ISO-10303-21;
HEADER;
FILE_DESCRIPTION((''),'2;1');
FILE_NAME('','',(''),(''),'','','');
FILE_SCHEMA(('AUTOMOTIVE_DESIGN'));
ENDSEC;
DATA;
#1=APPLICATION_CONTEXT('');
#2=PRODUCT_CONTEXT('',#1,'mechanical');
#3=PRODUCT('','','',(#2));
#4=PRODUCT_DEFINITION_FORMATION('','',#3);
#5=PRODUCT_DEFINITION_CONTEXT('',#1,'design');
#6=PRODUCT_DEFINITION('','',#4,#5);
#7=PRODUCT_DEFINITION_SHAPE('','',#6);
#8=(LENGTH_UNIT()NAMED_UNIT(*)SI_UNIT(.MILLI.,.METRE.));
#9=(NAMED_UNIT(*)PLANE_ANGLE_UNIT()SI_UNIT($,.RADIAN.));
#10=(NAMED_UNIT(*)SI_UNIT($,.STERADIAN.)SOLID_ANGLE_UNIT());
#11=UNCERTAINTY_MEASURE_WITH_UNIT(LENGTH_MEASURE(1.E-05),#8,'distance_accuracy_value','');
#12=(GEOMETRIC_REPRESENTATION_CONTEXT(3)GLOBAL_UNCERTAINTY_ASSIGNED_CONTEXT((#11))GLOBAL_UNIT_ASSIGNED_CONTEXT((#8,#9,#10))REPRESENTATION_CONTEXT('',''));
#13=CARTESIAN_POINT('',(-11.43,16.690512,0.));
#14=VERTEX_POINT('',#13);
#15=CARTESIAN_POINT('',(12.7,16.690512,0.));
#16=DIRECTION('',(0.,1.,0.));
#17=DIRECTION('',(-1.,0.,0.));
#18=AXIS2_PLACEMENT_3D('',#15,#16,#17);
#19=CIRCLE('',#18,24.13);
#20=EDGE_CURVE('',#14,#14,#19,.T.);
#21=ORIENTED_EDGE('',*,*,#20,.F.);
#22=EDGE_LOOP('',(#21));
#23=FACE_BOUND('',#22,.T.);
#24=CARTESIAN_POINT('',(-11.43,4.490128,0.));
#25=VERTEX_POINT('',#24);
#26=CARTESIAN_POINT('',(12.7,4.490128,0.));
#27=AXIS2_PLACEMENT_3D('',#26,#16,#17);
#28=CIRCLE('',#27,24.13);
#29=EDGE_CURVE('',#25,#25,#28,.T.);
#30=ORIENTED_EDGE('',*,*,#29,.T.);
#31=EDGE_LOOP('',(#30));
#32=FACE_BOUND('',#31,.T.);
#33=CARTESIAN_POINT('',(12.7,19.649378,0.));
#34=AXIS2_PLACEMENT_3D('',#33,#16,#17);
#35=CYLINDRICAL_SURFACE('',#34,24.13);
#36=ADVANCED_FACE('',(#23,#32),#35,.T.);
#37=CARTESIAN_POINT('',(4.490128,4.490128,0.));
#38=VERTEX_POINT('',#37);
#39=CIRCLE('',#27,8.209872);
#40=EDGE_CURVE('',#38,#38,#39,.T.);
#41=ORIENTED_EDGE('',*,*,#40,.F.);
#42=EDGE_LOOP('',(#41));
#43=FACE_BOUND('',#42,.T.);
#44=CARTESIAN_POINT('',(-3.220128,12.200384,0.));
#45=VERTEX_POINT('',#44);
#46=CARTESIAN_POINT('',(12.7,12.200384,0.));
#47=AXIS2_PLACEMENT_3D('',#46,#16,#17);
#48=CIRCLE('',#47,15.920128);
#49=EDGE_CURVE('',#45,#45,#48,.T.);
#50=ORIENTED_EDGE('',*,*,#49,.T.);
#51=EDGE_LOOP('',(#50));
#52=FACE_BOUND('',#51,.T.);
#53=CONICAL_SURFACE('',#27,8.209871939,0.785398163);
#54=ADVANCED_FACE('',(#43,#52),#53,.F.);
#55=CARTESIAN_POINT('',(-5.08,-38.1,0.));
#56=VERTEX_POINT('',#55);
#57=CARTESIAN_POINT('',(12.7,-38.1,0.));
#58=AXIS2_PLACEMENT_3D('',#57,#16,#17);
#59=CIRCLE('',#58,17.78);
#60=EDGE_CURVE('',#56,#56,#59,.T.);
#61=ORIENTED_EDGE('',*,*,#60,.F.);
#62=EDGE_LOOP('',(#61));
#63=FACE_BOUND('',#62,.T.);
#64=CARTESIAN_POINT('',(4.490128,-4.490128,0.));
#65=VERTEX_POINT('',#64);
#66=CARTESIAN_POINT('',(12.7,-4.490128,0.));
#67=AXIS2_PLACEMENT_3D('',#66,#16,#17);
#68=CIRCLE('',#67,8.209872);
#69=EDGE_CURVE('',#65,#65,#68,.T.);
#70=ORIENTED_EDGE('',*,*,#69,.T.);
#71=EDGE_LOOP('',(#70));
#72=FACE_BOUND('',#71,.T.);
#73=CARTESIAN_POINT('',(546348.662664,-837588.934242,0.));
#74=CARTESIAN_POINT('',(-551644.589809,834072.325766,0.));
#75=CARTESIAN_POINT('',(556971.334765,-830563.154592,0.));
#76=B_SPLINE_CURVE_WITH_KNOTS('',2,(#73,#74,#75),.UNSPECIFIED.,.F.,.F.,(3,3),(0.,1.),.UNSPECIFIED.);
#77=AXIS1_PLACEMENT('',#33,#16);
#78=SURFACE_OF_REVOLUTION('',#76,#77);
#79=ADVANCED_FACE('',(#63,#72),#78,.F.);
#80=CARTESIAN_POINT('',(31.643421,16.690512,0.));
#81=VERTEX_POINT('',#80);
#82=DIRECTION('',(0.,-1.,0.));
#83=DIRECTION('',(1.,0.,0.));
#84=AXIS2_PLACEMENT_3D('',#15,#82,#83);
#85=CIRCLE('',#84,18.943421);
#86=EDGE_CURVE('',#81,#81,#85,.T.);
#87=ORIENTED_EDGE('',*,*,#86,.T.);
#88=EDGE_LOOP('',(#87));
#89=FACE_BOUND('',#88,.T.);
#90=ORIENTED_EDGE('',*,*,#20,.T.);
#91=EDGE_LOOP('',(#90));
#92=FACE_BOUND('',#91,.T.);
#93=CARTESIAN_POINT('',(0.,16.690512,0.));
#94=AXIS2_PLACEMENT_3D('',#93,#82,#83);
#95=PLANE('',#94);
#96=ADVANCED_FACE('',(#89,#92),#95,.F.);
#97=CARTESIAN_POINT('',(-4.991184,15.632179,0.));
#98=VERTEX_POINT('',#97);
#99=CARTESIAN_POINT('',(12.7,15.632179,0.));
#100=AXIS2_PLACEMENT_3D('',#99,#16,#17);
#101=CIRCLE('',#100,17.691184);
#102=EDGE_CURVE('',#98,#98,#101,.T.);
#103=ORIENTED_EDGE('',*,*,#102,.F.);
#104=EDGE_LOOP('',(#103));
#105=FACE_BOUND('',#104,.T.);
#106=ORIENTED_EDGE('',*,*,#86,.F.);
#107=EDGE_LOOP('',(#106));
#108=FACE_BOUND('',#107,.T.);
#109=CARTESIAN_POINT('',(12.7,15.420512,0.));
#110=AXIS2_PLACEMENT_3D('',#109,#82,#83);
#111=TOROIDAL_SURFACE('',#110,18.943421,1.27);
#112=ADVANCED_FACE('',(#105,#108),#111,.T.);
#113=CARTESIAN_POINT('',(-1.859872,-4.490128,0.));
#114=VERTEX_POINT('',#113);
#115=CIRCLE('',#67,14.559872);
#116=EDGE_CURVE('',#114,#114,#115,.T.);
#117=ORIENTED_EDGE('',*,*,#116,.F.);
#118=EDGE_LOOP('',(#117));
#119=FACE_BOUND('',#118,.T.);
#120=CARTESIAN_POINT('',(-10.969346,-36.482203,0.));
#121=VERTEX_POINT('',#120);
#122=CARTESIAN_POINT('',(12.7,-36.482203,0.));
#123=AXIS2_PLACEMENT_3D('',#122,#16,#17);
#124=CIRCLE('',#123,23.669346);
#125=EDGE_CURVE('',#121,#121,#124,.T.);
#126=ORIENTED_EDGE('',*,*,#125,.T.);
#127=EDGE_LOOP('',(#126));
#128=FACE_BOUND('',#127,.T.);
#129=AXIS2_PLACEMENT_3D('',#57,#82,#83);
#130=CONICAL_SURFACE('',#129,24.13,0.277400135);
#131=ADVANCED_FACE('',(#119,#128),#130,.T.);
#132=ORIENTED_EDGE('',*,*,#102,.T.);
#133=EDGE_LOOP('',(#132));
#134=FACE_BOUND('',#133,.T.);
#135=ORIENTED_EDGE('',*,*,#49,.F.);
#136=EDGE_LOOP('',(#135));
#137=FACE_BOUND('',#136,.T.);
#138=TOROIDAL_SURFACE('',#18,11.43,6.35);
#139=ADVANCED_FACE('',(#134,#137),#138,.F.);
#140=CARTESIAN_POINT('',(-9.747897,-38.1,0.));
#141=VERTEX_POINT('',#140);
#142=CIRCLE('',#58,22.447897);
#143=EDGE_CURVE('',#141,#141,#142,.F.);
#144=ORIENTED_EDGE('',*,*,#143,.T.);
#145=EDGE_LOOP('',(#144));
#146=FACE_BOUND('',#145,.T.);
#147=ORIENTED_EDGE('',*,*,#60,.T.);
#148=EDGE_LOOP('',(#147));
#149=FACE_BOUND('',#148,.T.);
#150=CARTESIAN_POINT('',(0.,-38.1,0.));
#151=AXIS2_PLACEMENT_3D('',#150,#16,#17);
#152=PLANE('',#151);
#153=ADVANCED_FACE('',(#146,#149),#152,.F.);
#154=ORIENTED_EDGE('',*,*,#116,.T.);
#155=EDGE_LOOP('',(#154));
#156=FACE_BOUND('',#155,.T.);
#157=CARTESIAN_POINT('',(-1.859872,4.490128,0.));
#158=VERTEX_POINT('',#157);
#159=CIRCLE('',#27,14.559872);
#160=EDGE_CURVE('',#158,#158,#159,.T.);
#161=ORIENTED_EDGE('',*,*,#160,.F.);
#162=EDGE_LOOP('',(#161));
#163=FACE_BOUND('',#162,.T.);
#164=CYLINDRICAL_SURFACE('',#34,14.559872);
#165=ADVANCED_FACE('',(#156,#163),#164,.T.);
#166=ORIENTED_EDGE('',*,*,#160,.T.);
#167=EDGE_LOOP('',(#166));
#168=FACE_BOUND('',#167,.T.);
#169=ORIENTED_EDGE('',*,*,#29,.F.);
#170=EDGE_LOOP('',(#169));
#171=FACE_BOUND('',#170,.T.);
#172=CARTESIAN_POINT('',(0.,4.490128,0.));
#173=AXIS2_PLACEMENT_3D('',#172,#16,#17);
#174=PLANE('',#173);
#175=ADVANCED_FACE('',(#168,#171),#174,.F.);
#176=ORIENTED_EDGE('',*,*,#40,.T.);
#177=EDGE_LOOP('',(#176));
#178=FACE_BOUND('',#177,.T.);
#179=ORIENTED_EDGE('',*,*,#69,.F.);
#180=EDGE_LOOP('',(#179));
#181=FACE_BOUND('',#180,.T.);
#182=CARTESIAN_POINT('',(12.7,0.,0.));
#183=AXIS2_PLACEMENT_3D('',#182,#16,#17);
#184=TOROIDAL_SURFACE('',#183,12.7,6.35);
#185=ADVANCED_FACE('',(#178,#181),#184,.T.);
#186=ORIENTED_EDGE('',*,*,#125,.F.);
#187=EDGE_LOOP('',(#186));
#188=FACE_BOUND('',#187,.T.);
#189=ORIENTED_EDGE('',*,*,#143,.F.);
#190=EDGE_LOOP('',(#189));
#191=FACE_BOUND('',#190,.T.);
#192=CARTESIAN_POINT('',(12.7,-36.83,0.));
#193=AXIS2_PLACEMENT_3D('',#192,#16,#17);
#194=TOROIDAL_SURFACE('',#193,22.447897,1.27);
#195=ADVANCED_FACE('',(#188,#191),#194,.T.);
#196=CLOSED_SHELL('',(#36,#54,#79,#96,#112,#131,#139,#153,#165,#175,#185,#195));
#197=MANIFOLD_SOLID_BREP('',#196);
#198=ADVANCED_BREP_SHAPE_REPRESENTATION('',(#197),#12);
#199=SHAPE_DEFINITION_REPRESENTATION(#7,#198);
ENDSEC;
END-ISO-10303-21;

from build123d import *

# Parameters (mm, degrees)
FILLET1_R = 1.27


with BuildPart() as part:
    # Sketch2 → Revolve1 (revolve)
    with BuildSketch(Plane.XY):
        with BuildLine():
            Line((4.490128061, 4.490128061), (-3.220128061, 12.200384182))
            ThreePointArc((-3.220128061, 12.200384182), (-4.596635031, 14.260472447), (-5.08, 16.690512242))
            Line((-5.08, 16.690512242), (-11.43, 16.690512242))
            Line((-11.43, 16.690512242), (-11.43, 4.490128061))
            Line((-11.43, 4.490128061), (-1.859871939, 4.490128061))
            Line((-1.859871939, 4.490128061), (-1.859871939, -4.490128061))
            Line((-1.859871939, -4.490128061), (-11.43, -38.1))
            Line((-11.43, -38.1), (-5.08, -38.1))
            add(Edge.make_bspline(
                [(-5.08, -38.1), (-5.08, -14.060256121), (4.490128061, -4.490128061)],
                knots=[0, 0, 0, 1, 1, 1], degree=2))
            ThreePointArc((4.490128061, -4.490128061), (6.35, 0), (4.490128061, 4.490128061))
        make_face()
    revolve(axis=Axis((12.7, 19.649377631, 0), (0, -1, 0)))

    # Fillet1
    fillet1_edges = [part.edges().sort_by_distance(p)[0] for p in [
        (36.83, -38.1, 0),
        (30.48, 16.690512242, 0),
    ]]
    fillet(fillet1_edges, radius=FILLET1_R)


solid = part.part
